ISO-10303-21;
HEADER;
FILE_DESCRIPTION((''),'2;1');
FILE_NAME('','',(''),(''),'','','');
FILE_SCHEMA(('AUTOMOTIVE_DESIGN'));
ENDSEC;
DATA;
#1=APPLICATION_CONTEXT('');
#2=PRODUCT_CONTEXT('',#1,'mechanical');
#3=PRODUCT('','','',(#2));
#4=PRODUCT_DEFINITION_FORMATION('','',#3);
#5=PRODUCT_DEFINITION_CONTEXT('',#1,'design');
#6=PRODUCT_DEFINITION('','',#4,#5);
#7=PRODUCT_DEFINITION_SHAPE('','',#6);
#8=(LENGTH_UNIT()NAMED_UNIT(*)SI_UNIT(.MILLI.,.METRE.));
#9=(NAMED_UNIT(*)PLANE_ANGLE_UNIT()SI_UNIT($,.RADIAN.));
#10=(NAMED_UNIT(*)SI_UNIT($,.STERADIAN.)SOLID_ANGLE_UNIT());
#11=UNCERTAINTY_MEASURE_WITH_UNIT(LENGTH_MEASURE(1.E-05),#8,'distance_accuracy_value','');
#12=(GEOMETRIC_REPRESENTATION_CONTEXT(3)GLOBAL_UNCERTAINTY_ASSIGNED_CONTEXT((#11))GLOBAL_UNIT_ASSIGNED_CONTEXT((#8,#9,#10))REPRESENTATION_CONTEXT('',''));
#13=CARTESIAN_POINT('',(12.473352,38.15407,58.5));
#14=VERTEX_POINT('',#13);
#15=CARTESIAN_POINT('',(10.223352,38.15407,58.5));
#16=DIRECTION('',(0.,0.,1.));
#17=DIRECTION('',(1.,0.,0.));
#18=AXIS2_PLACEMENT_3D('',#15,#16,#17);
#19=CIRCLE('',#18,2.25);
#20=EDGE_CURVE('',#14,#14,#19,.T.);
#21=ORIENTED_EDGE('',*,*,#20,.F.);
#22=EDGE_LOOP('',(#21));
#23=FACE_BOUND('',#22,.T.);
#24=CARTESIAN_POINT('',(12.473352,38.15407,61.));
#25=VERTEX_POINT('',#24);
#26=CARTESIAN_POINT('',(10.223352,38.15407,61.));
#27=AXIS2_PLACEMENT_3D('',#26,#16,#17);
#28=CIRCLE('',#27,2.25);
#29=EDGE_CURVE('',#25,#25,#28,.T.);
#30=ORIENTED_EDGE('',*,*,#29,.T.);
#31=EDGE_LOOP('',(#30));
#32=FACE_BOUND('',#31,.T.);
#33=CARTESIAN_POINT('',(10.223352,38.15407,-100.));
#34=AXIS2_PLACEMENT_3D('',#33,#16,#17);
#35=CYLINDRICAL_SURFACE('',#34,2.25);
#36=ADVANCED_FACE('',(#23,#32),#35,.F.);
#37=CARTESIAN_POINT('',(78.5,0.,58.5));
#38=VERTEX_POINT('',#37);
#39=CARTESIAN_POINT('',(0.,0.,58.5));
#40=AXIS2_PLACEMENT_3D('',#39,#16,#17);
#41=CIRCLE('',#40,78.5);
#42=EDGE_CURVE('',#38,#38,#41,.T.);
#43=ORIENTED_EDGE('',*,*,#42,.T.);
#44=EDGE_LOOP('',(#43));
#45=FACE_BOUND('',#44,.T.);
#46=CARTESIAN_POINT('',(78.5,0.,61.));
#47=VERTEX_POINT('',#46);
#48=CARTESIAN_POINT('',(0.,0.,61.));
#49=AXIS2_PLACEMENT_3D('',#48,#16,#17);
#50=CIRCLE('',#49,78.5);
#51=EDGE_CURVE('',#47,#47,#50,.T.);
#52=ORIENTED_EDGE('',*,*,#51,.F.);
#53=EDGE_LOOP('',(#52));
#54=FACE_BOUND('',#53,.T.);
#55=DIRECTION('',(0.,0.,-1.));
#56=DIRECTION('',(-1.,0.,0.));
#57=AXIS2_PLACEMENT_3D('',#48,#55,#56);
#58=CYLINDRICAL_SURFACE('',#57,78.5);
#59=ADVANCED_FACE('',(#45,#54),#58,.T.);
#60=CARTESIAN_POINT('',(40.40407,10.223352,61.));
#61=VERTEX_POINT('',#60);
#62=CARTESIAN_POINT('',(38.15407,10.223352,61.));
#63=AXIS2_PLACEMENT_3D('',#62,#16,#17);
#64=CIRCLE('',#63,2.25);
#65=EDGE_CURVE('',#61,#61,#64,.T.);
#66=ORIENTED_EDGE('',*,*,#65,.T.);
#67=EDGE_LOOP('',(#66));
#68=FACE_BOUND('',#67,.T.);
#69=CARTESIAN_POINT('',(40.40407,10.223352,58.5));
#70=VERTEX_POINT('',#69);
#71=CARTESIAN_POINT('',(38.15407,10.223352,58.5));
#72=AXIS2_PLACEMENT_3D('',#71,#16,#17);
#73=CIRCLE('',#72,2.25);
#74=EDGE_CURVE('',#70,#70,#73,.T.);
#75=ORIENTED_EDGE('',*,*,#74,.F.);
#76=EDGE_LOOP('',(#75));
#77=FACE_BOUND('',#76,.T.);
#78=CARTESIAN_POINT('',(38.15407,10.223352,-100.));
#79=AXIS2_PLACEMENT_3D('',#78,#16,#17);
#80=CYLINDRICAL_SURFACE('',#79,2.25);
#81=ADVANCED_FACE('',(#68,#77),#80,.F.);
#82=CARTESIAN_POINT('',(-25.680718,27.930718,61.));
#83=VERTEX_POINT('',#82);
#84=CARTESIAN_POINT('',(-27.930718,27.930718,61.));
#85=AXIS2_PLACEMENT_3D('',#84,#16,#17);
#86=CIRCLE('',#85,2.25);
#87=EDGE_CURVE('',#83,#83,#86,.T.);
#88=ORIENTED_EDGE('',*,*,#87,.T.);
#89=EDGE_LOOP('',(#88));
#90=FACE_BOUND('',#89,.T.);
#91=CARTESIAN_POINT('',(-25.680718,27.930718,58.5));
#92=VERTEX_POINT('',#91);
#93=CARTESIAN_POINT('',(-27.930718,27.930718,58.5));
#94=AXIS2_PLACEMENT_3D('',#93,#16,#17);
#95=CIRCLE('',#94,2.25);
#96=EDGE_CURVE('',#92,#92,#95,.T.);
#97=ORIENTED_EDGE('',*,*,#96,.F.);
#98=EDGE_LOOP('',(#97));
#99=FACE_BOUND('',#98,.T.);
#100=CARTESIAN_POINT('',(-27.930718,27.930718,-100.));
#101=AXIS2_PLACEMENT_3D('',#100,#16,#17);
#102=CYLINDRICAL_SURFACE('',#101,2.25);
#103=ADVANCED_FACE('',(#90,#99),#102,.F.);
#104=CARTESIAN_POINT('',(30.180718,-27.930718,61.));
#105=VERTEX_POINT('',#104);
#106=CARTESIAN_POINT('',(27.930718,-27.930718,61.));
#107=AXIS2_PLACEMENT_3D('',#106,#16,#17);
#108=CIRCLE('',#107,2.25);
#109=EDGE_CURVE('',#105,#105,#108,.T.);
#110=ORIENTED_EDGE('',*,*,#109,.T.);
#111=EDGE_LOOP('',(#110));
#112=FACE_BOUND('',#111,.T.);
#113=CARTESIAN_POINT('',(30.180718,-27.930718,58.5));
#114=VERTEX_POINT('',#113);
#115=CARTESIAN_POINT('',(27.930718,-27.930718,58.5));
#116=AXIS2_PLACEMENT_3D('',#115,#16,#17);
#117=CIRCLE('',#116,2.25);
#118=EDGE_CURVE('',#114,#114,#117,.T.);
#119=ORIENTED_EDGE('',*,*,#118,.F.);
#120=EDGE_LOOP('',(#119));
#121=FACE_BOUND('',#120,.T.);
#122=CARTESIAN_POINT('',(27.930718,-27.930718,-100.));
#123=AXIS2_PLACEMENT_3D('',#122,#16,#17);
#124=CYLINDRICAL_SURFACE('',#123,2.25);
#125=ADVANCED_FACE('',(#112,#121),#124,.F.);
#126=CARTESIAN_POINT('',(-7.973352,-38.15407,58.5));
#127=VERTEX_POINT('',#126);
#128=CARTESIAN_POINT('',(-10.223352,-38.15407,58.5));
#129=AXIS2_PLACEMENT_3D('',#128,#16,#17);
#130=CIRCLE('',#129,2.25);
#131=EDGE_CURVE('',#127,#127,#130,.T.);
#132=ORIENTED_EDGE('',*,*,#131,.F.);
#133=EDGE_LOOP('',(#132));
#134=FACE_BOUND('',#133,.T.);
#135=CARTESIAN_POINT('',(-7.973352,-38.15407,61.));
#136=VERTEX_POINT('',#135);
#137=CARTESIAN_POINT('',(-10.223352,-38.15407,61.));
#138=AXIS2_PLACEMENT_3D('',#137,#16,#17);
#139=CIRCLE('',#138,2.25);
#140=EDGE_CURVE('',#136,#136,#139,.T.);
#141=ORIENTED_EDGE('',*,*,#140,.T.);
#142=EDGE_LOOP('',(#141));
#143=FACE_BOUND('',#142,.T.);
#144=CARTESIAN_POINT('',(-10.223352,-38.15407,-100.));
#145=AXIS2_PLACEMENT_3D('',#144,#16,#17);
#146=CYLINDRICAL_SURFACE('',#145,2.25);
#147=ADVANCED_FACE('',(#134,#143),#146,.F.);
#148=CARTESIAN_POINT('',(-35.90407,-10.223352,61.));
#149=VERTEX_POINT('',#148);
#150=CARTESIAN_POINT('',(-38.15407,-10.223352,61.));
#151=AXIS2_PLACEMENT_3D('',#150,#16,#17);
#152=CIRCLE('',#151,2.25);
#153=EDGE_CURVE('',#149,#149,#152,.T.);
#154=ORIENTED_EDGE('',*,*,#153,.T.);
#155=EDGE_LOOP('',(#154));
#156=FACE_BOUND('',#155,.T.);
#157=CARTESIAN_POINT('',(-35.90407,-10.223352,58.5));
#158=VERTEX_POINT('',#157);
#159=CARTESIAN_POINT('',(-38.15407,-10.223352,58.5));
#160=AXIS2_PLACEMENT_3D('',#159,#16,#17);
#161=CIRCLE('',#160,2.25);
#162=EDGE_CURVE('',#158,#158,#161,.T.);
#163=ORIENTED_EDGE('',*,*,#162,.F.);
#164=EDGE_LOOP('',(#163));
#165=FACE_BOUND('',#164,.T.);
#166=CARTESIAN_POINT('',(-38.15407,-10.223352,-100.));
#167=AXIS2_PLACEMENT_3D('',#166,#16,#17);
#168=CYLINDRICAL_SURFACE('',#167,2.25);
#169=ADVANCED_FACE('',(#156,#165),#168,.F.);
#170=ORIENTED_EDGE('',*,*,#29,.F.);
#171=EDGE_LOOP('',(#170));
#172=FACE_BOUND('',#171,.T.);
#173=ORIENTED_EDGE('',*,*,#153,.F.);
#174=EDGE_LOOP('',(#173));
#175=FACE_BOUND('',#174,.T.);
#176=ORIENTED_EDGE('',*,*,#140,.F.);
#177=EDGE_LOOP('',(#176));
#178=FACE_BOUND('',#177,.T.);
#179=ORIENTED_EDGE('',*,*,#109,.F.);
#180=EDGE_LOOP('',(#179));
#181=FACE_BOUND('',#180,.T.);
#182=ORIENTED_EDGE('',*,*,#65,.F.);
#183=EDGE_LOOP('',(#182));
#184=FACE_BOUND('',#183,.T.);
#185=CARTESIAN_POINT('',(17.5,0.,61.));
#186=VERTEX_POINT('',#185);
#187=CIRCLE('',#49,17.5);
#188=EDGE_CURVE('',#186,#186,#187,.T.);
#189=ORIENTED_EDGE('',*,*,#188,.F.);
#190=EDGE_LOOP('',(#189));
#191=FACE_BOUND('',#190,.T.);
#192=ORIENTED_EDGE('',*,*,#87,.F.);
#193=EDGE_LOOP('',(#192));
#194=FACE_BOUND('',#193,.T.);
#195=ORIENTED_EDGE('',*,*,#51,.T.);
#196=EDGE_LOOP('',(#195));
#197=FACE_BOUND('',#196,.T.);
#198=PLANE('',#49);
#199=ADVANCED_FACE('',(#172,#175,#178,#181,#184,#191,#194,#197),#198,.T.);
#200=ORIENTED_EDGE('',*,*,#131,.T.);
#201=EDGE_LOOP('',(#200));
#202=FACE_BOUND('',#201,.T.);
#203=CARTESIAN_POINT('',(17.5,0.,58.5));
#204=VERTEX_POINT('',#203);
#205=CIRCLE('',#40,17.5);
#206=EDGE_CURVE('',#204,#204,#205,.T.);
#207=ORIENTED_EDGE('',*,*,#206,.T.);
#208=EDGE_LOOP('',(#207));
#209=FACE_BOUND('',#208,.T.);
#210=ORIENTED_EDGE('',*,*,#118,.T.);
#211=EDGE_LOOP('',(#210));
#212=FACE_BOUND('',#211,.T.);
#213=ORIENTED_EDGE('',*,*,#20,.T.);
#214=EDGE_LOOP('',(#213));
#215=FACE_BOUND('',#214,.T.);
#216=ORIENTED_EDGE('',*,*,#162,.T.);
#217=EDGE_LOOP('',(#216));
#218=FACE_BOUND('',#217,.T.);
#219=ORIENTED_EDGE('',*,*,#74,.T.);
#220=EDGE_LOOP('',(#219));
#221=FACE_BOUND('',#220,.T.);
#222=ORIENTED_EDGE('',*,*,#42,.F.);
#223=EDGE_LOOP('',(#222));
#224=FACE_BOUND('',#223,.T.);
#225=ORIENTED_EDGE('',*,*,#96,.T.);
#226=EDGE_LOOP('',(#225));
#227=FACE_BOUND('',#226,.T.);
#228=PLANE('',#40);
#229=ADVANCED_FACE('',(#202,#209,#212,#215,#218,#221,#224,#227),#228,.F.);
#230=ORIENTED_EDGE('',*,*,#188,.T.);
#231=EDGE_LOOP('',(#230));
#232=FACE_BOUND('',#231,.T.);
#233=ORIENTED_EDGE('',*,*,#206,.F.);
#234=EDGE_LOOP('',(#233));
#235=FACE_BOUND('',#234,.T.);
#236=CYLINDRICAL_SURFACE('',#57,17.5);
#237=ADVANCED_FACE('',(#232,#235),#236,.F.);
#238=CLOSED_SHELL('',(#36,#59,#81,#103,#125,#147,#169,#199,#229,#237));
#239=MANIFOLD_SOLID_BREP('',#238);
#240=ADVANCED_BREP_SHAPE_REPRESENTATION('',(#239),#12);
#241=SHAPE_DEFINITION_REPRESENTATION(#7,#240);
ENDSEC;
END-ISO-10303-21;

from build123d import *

# Parameters (mm, degrees)
FRONT_COVER_REFERENCE_START = 58.5
SKETCH_1_R                  = 78.5
SKETCH_1_R_2                = 17.5
FRONT_COVER_REFERENCE_DEPTH = 2.5
SKETCH_2_R                  = 2.25
THROUGH_HOLES_DEPTH         = 100


with BuildPart() as part:
    # Эскиз1 → Front_cover_reference (new body)
    with BuildSketch(Plane.XY.offset(FRONT_COVER_REFERENCE_START)):
        Circle(SKETCH_1_R)
        Circle(SKETCH_1_R_2, mode=Mode.SUBTRACT)
    extrude(amount=FRONT_COVER_REFERENCE_DEPTH)

    # Эскиз2 → Through_holes (cut, symmetric)
    with BuildSketch(Plane.XY):
        with Locations((38.154070138, 10.223352282)):
            Circle(SKETCH_2_R)
        with Locations((10.223352282, 38.154070138)):
            Circle(SKETCH_2_R)
        with Locations((-27.930717857, 27.930717857)):
            Circle(SKETCH_2_R)
        with Locations((-38.154070138, -10.223352282)):
            Circle(SKETCH_2_R)
        with Locations((-10.223352282, -38.154070138)):
            Circle(SKETCH_2_R)
        with Locations((27.930717857, -27.930717857)):
            Circle(SKETCH_2_R)
    extrude(amount=THROUGH_HOLES_DEPTH, both=True, mode=Mode.SUBTRACT)


solid = part.part
